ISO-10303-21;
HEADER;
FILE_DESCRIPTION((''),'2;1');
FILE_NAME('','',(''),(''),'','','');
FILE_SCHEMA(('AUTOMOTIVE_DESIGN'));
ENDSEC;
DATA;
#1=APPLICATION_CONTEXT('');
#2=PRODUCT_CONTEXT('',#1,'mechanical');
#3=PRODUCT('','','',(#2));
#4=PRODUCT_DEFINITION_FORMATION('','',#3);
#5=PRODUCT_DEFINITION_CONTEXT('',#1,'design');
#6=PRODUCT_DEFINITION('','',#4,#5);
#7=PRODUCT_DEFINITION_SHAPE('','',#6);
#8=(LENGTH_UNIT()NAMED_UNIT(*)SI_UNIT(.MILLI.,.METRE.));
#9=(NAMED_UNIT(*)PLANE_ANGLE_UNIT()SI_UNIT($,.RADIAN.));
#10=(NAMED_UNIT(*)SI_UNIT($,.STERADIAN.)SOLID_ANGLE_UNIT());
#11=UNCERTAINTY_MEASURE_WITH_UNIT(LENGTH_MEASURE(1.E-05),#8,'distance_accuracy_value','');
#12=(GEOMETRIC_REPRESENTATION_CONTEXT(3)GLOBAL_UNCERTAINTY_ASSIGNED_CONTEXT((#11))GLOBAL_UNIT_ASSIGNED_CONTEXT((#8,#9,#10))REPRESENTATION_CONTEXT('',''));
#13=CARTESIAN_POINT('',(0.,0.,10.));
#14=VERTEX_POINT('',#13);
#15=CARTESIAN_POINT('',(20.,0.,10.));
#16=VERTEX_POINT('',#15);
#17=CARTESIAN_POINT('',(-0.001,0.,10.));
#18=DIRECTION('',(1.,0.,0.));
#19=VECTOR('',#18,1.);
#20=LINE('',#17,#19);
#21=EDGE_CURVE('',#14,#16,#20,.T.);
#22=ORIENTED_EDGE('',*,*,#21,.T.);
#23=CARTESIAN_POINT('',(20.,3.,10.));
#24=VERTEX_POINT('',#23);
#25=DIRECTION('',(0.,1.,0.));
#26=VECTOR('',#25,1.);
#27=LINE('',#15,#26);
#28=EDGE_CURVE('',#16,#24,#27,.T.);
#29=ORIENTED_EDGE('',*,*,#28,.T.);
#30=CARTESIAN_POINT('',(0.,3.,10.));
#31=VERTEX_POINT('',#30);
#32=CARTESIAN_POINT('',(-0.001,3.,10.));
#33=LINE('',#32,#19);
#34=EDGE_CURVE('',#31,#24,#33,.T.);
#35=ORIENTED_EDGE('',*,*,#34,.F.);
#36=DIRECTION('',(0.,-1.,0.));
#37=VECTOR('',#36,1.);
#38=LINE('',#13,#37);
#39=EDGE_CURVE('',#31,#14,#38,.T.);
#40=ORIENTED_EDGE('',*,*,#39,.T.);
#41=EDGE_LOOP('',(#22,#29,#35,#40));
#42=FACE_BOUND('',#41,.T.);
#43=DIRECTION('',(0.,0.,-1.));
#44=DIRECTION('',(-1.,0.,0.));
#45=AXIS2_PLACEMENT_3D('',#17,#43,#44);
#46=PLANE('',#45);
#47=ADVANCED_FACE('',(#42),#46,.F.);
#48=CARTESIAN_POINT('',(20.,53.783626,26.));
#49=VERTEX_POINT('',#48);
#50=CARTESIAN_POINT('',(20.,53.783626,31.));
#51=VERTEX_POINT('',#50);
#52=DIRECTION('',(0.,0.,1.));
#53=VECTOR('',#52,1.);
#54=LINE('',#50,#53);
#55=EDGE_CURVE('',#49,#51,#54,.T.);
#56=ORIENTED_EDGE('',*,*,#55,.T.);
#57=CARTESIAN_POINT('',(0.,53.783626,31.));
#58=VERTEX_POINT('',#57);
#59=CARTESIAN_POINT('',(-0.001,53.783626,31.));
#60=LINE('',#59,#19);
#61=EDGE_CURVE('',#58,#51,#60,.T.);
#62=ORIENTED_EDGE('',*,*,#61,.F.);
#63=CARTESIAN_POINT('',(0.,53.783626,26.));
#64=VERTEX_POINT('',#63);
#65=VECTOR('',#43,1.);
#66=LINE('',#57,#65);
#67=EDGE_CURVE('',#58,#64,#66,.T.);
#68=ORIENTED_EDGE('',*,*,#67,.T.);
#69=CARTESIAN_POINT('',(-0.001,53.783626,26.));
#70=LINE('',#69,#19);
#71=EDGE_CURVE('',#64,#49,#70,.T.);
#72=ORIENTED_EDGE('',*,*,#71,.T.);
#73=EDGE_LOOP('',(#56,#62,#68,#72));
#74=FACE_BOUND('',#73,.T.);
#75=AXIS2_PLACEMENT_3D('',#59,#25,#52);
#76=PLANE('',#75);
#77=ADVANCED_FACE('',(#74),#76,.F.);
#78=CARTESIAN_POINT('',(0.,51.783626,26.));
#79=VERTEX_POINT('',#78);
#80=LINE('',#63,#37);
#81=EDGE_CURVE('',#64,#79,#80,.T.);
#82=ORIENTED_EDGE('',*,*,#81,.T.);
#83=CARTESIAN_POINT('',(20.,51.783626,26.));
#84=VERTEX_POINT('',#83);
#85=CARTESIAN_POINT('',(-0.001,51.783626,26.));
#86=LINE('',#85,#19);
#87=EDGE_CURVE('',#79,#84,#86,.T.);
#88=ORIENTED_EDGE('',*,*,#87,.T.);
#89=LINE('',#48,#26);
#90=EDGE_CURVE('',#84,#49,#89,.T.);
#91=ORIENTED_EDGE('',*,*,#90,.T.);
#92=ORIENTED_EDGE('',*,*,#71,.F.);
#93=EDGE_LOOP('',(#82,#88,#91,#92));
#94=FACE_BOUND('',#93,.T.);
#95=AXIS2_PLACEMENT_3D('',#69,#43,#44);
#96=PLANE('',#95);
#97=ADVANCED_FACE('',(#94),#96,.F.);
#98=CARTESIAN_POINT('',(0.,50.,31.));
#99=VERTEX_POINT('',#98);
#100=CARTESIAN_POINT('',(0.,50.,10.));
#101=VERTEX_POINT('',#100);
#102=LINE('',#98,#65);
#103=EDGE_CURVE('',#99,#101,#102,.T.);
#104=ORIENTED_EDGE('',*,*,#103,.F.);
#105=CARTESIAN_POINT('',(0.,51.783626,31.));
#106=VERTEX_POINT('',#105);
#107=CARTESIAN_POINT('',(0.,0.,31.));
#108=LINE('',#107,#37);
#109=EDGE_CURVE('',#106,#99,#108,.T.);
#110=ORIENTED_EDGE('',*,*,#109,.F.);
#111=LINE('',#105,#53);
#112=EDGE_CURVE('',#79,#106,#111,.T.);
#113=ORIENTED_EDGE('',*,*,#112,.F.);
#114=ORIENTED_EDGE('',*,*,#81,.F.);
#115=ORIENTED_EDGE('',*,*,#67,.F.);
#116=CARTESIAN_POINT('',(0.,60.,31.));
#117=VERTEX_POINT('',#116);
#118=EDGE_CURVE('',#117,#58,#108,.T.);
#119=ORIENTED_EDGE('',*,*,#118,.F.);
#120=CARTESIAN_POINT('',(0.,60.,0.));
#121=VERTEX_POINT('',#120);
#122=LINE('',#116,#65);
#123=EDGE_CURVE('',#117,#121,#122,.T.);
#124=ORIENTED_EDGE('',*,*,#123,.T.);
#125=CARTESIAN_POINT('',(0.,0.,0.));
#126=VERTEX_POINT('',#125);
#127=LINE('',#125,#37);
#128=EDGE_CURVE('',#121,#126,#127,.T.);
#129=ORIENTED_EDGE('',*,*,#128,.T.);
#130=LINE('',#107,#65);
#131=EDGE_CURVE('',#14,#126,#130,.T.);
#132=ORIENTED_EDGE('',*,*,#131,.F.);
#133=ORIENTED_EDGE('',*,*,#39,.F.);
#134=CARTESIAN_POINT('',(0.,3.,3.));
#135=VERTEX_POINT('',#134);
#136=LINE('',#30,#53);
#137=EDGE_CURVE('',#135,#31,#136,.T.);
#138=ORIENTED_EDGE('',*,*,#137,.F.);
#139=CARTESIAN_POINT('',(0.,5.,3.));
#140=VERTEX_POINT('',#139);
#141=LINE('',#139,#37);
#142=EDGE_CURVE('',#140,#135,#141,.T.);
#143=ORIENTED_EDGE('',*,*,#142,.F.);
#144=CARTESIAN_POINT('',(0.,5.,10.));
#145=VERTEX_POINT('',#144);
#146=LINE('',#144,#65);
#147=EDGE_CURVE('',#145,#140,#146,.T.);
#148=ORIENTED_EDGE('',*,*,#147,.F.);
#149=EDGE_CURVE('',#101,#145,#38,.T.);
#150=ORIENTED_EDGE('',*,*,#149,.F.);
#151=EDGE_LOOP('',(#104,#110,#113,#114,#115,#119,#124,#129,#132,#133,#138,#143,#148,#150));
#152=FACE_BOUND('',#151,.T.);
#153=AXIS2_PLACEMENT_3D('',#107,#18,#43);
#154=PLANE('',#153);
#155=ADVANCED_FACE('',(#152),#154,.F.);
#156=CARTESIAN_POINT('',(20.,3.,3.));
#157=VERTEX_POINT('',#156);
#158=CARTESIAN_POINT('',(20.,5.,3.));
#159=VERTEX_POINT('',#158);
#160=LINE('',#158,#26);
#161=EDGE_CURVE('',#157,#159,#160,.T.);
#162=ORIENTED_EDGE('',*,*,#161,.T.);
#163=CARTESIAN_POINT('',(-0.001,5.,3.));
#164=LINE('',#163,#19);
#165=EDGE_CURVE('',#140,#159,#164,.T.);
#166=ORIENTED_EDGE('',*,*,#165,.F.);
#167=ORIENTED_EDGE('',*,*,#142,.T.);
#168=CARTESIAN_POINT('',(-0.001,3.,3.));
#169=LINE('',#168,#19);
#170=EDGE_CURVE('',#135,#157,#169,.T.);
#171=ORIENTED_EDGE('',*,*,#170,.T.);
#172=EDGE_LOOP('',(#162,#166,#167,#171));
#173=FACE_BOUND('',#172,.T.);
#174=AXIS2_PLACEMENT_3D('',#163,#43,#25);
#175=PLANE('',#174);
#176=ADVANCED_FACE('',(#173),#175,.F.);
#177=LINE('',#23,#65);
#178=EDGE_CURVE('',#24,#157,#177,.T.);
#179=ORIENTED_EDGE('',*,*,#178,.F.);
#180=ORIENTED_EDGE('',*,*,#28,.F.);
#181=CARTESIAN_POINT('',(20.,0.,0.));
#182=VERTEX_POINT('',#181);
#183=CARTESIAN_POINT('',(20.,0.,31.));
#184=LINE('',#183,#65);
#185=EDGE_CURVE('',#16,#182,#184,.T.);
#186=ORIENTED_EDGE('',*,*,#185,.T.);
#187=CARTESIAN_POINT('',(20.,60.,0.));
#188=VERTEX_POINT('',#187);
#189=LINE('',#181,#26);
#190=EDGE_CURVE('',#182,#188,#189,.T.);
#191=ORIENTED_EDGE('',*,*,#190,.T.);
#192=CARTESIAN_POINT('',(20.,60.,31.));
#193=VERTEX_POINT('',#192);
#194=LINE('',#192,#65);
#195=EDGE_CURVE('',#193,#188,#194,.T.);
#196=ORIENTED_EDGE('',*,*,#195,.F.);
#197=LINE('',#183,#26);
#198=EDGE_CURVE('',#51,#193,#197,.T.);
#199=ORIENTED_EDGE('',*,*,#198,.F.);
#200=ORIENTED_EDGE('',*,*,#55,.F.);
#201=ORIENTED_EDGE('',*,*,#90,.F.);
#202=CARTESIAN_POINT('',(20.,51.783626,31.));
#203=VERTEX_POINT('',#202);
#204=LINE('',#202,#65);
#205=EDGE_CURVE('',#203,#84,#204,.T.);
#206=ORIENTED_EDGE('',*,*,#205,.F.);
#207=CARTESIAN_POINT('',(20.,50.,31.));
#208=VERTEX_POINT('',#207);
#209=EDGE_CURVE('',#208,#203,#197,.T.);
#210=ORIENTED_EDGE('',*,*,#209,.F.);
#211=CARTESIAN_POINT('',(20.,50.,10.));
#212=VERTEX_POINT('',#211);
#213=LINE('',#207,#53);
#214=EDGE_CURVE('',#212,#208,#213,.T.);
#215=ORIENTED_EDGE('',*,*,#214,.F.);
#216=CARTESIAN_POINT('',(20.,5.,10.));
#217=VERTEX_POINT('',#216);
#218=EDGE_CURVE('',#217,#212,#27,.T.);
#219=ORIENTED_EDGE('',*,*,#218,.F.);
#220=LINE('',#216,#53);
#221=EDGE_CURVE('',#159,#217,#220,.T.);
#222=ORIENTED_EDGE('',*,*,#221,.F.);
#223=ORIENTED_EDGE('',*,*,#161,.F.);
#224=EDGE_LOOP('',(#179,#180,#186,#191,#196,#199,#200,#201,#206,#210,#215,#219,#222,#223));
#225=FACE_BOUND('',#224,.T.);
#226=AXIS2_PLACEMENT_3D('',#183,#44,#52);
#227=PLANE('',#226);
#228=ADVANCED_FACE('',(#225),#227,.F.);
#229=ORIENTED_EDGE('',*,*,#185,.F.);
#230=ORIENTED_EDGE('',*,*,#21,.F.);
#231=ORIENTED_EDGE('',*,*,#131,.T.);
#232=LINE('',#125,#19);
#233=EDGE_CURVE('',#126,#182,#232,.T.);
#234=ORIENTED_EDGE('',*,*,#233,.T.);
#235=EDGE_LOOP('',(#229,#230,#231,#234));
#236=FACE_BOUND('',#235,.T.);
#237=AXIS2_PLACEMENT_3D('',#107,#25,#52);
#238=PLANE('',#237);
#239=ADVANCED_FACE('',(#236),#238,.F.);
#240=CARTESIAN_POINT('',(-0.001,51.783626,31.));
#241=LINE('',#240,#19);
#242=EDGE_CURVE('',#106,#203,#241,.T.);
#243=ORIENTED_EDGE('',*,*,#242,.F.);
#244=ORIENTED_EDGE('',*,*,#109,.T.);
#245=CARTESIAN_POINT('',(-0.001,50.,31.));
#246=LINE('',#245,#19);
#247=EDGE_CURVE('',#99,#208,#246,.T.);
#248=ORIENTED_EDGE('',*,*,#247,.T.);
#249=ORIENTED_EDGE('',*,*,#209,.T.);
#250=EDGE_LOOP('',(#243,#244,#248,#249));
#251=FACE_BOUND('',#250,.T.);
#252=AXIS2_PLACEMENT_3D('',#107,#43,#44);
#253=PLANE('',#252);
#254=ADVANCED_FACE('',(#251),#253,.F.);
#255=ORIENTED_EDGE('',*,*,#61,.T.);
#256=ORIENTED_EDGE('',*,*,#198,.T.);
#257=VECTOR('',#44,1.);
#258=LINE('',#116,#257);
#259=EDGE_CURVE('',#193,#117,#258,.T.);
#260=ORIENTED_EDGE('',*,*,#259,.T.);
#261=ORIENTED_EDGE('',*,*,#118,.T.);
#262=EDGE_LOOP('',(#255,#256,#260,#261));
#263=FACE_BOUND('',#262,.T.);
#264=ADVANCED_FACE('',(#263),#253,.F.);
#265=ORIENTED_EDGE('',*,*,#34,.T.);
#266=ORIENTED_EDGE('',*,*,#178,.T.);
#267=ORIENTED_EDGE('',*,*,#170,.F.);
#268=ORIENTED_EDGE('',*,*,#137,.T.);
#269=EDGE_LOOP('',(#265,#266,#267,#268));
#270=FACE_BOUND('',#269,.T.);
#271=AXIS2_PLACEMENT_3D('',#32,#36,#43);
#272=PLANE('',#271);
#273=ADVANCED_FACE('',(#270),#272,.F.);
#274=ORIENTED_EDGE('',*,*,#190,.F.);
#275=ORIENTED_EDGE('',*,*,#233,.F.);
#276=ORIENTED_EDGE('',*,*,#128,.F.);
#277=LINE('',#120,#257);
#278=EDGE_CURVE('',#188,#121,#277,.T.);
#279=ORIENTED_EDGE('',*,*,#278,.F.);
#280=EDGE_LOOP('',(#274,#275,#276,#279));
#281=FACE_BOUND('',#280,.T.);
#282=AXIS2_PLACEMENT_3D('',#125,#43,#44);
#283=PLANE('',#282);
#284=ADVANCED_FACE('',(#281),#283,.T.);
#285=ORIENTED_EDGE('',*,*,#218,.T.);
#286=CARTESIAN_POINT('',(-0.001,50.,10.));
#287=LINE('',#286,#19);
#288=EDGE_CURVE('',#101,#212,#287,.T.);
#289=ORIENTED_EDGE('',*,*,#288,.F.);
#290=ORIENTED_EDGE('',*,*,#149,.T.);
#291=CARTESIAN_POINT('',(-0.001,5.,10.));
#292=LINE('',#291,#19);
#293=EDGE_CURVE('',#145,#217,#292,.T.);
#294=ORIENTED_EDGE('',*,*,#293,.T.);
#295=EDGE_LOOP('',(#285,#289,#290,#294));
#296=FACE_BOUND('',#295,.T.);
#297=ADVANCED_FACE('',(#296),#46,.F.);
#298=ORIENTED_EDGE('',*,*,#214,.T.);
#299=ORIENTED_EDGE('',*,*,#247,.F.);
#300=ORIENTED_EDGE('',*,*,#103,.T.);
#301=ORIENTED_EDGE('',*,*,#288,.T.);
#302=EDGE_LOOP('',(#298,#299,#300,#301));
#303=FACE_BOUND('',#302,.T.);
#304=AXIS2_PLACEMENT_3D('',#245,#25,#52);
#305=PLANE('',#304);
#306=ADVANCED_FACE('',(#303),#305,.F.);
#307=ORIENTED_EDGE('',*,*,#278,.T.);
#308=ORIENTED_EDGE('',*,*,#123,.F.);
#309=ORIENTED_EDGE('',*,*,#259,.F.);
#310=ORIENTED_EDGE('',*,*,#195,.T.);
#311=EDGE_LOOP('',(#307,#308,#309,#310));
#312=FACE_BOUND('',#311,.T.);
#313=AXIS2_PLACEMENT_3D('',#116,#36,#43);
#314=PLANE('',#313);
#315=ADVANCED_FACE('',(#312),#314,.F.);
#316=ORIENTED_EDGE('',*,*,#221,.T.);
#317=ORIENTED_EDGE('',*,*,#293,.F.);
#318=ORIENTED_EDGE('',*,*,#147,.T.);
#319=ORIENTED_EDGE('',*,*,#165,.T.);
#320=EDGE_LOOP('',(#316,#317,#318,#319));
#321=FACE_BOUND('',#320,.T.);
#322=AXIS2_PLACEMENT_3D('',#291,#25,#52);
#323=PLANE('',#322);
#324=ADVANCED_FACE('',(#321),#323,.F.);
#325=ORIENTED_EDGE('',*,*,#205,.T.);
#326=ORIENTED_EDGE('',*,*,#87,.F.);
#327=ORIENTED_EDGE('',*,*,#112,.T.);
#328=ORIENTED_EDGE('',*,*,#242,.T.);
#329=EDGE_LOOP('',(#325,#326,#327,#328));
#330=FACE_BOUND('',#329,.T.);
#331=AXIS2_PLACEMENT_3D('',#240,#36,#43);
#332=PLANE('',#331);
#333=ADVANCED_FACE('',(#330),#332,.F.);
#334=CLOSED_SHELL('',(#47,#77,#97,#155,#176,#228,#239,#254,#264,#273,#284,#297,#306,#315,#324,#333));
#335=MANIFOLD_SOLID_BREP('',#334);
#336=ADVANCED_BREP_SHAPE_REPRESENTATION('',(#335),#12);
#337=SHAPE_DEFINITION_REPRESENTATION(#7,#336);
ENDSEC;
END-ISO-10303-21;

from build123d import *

# Parameters (mm, degrees)
CROQUIS1_W              = 20
CROQUIS1_H              = 60
SALIENTE_EXTRUIR1_DEPTH = 31
CORTAR_EXTRUIR1_REACH   = 72.434
CROQUIS2_W              = 21
CROQUIS2_H              = 50
CORTAR_EXTRUIR2_REACH   = 72.434
CROQUIS3_W              = 5
CROQUIS3_H              = 2
CORTAR_EXTRUIR3_REACH   = 72.434
CROQUIS4_W              = 7
CROQUIS4_H              = 2


with BuildPart() as part:
    # Croquis1 → Saliente-Extruir1 (new body)
    with BuildSketch(Plane.XY):
        with Locations((10, 30)):
            Rectangle(CROQUIS1_W, CROQUIS1_H)
    extrude(amount=SALIENTE_EXTRUIR1_DEPTH)

    # Croquis2 → Cortar-Extruir1 (cut, up to next)
    with BuildSketch(Plane(origin=(20, 0, 0), x_dir=(0, 0, -1), z_dir=(1, 0, 0)), mode=Mode.PRIVATE) as cortar_extruir1_sk1:
        with Locations((-20.5, 25)):
            Rectangle(CROQUIS2_W, CROQUIS2_H)
    cortar_extruir1_tool1 = extrude(cortar_extruir1_sk1.sketch, amount=-CORTAR_EXTRUIR1_REACH, mode=Mode.PRIVATE) & part.part
    add(cortar_extruir1_tool1.solids().sort_by_distance((20, 25, 20.5))[0], mode=Mode.SUBTRACT)

    # Croquis3 → Cortar-Extruir2 (cut, up to next)
    with BuildSketch(Plane(origin=(20, 0, 0), x_dir=(0, 0, -1), z_dir=(1, 0, 0)), mode=Mode.PRIVATE) as cortar_extruir2_sk1:
        with Locations((-28.5, 52.783625731)):
            Rectangle(CROQUIS3_W, CROQUIS3_H)
    cortar_extruir2_tool1 = extrude(cortar_extruir2_sk1.sketch, amount=-CORTAR_EXTRUIR2_REACH, mode=Mode.PRIVATE) & part.part
    add(cortar_extruir2_tool1.solids().sort_by_distance((20, 52.783626, 28.5))[0], mode=Mode.SUBTRACT)

    # Croquis4 → Cortar-Extruir3 (cut, up to next)
    with BuildSketch(Plane(origin=(20, 0, 0), x_dir=(0, 0, -1), z_dir=(1, 0, 0)), mode=Mode.PRIVATE) as cortar_extruir3_sk1:
        with Locations((-6.5, 4)):
            Rectangle(CROQUIS4_W, CROQUIS4_H)
    cortar_extruir3_tool1 = extrude(cortar_extruir3_sk1.sketch, amount=-CORTAR_EXTRUIR3_REACH, mode=Mode.PRIVATE) & part.part
    add(cortar_extruir3_tool1.solids().sort_by_distance((20, 4, 6.5))[0], mode=Mode.SUBTRACT)


solid = part.part
